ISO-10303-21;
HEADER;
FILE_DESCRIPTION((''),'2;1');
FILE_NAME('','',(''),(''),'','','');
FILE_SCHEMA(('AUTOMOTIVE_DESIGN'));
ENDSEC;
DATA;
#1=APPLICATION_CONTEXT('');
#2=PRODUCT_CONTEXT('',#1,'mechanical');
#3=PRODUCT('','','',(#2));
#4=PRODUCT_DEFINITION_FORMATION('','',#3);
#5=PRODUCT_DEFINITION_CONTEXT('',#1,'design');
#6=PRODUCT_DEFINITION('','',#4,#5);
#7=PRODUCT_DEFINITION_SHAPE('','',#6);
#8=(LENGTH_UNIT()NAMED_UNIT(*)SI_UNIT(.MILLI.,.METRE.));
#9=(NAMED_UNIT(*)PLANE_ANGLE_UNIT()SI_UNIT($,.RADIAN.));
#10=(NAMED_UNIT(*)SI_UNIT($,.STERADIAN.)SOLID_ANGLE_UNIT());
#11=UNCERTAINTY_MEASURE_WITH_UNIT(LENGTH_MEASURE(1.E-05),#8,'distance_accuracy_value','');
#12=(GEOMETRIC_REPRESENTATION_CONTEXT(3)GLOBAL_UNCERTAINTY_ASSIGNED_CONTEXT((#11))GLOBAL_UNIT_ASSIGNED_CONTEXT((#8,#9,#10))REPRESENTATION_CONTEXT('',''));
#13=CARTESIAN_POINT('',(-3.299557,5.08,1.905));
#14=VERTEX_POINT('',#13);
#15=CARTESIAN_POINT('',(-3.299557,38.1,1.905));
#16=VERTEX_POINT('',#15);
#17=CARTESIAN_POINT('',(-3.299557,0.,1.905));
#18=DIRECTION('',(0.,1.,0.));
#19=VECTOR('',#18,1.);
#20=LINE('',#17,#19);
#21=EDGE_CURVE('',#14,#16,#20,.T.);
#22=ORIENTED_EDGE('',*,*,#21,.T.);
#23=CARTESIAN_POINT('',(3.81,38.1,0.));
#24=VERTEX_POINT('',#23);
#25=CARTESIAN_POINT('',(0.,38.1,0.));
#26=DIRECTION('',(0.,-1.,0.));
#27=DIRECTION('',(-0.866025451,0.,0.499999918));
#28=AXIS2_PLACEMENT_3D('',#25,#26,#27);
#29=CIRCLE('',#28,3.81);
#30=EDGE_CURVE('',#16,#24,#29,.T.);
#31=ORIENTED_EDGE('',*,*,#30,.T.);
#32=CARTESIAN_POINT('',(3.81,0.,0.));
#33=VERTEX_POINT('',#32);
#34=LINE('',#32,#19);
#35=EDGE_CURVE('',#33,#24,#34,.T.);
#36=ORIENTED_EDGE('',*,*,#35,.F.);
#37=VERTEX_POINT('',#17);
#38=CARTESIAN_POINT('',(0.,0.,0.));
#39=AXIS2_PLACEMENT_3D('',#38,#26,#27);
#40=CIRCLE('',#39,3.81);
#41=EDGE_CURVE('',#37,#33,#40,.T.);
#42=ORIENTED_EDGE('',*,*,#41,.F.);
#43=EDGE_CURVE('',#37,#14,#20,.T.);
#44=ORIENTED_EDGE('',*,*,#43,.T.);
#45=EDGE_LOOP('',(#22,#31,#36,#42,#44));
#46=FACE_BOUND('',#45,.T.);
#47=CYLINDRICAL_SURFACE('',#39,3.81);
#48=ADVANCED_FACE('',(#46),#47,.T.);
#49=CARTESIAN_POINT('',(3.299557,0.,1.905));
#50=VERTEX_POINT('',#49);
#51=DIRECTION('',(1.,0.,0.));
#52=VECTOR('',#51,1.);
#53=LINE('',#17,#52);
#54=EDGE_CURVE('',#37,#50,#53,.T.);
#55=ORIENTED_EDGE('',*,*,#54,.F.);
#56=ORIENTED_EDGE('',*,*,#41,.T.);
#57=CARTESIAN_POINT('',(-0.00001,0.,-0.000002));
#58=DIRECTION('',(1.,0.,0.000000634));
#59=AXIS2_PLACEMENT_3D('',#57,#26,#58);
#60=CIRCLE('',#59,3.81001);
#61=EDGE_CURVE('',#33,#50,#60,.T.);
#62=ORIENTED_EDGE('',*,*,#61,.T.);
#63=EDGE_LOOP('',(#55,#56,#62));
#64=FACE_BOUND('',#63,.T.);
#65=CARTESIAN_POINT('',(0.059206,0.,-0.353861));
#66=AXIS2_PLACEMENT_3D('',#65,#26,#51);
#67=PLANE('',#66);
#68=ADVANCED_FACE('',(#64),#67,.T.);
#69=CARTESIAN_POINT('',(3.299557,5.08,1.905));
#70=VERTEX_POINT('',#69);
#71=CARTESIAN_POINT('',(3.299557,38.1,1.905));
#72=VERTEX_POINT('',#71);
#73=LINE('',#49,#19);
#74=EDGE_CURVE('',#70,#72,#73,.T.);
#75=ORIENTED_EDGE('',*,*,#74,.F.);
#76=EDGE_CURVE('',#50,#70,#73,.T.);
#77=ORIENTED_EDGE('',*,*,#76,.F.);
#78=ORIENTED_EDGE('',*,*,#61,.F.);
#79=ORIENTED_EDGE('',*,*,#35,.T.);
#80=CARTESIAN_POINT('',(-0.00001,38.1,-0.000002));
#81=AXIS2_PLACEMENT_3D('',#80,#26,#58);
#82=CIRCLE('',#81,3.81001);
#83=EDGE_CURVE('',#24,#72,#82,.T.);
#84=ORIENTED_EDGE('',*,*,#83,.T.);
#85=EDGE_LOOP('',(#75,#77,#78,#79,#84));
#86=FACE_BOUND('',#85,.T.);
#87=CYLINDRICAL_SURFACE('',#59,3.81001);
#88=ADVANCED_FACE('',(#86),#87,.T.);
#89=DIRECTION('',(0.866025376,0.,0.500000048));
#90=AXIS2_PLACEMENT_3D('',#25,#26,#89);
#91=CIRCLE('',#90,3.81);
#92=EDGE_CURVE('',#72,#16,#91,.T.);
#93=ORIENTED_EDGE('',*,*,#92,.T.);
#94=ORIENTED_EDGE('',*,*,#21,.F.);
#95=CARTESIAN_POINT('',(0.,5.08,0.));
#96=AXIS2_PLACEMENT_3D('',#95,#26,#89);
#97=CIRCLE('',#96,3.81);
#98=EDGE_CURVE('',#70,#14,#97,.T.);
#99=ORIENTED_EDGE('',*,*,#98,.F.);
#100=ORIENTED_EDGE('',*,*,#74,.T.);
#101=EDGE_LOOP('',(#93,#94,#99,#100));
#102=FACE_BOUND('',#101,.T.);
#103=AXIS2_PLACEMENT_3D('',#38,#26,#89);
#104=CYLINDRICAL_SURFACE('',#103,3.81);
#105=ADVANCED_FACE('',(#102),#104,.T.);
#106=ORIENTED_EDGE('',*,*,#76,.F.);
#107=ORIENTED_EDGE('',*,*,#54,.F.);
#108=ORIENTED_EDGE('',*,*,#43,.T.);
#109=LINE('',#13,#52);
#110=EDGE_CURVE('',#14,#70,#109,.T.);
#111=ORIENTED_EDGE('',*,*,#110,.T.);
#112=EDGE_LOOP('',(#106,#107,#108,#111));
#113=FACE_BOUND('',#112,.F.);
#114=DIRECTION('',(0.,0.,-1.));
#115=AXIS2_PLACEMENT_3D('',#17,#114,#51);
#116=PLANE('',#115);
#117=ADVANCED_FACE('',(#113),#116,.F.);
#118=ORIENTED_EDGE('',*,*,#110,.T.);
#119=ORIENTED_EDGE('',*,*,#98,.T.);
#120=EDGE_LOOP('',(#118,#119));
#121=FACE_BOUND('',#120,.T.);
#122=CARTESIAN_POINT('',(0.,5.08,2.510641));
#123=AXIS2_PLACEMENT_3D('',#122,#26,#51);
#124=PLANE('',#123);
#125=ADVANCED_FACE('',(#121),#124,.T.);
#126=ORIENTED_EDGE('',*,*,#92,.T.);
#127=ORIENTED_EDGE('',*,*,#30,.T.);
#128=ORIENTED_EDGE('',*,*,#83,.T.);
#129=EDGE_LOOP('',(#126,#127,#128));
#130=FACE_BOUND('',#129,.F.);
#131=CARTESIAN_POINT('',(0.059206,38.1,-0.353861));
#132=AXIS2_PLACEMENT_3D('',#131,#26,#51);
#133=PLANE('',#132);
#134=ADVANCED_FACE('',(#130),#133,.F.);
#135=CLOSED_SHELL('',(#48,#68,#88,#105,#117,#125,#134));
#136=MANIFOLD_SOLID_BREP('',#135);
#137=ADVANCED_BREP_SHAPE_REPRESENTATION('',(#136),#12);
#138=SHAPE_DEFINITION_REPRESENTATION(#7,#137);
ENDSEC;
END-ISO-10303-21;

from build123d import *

# Parameters (mm, degrees)
F1_DEPTH = 38.1
F2_DEPTH = 5.08


with BuildPart() as f1:
    # F0 (on Front) → F1 (new body)
    with BuildSketch(Plane.XZ):
        with BuildLine():
            ThreePointArc((-3.299557, 1.905), (-0.986101, -3.680177), (3.81, 0))
            ThreePointArc((3.81, 0), (3.680177, 0.986101), (3.299557, 1.905))
            Line((3.299557, 1.905), (-3.299557, 1.905))
        make_face()
        with BuildLine():
            Line((-3.299557, 1.905), (3.299557, 1.905))
            ThreePointArc((3.299557, 1.905), (0, 3.81), (-3.299557, 1.905))
        make_face()
    extrude(amount=-F1_DEPTH)

    # F0 (on Front) → F2 (cut)
    with BuildSketch(Plane.XZ):
        with BuildLine():
            Line((-3.299557, 1.905), (3.299557, 1.905))
            ThreePointArc((3.299557, 1.905), (0, 3.81), (-3.299557, 1.905))
        make_face()
    extrude(amount=-F2_DEPTH, mode=Mode.SUBTRACT)


solid = f1.part
